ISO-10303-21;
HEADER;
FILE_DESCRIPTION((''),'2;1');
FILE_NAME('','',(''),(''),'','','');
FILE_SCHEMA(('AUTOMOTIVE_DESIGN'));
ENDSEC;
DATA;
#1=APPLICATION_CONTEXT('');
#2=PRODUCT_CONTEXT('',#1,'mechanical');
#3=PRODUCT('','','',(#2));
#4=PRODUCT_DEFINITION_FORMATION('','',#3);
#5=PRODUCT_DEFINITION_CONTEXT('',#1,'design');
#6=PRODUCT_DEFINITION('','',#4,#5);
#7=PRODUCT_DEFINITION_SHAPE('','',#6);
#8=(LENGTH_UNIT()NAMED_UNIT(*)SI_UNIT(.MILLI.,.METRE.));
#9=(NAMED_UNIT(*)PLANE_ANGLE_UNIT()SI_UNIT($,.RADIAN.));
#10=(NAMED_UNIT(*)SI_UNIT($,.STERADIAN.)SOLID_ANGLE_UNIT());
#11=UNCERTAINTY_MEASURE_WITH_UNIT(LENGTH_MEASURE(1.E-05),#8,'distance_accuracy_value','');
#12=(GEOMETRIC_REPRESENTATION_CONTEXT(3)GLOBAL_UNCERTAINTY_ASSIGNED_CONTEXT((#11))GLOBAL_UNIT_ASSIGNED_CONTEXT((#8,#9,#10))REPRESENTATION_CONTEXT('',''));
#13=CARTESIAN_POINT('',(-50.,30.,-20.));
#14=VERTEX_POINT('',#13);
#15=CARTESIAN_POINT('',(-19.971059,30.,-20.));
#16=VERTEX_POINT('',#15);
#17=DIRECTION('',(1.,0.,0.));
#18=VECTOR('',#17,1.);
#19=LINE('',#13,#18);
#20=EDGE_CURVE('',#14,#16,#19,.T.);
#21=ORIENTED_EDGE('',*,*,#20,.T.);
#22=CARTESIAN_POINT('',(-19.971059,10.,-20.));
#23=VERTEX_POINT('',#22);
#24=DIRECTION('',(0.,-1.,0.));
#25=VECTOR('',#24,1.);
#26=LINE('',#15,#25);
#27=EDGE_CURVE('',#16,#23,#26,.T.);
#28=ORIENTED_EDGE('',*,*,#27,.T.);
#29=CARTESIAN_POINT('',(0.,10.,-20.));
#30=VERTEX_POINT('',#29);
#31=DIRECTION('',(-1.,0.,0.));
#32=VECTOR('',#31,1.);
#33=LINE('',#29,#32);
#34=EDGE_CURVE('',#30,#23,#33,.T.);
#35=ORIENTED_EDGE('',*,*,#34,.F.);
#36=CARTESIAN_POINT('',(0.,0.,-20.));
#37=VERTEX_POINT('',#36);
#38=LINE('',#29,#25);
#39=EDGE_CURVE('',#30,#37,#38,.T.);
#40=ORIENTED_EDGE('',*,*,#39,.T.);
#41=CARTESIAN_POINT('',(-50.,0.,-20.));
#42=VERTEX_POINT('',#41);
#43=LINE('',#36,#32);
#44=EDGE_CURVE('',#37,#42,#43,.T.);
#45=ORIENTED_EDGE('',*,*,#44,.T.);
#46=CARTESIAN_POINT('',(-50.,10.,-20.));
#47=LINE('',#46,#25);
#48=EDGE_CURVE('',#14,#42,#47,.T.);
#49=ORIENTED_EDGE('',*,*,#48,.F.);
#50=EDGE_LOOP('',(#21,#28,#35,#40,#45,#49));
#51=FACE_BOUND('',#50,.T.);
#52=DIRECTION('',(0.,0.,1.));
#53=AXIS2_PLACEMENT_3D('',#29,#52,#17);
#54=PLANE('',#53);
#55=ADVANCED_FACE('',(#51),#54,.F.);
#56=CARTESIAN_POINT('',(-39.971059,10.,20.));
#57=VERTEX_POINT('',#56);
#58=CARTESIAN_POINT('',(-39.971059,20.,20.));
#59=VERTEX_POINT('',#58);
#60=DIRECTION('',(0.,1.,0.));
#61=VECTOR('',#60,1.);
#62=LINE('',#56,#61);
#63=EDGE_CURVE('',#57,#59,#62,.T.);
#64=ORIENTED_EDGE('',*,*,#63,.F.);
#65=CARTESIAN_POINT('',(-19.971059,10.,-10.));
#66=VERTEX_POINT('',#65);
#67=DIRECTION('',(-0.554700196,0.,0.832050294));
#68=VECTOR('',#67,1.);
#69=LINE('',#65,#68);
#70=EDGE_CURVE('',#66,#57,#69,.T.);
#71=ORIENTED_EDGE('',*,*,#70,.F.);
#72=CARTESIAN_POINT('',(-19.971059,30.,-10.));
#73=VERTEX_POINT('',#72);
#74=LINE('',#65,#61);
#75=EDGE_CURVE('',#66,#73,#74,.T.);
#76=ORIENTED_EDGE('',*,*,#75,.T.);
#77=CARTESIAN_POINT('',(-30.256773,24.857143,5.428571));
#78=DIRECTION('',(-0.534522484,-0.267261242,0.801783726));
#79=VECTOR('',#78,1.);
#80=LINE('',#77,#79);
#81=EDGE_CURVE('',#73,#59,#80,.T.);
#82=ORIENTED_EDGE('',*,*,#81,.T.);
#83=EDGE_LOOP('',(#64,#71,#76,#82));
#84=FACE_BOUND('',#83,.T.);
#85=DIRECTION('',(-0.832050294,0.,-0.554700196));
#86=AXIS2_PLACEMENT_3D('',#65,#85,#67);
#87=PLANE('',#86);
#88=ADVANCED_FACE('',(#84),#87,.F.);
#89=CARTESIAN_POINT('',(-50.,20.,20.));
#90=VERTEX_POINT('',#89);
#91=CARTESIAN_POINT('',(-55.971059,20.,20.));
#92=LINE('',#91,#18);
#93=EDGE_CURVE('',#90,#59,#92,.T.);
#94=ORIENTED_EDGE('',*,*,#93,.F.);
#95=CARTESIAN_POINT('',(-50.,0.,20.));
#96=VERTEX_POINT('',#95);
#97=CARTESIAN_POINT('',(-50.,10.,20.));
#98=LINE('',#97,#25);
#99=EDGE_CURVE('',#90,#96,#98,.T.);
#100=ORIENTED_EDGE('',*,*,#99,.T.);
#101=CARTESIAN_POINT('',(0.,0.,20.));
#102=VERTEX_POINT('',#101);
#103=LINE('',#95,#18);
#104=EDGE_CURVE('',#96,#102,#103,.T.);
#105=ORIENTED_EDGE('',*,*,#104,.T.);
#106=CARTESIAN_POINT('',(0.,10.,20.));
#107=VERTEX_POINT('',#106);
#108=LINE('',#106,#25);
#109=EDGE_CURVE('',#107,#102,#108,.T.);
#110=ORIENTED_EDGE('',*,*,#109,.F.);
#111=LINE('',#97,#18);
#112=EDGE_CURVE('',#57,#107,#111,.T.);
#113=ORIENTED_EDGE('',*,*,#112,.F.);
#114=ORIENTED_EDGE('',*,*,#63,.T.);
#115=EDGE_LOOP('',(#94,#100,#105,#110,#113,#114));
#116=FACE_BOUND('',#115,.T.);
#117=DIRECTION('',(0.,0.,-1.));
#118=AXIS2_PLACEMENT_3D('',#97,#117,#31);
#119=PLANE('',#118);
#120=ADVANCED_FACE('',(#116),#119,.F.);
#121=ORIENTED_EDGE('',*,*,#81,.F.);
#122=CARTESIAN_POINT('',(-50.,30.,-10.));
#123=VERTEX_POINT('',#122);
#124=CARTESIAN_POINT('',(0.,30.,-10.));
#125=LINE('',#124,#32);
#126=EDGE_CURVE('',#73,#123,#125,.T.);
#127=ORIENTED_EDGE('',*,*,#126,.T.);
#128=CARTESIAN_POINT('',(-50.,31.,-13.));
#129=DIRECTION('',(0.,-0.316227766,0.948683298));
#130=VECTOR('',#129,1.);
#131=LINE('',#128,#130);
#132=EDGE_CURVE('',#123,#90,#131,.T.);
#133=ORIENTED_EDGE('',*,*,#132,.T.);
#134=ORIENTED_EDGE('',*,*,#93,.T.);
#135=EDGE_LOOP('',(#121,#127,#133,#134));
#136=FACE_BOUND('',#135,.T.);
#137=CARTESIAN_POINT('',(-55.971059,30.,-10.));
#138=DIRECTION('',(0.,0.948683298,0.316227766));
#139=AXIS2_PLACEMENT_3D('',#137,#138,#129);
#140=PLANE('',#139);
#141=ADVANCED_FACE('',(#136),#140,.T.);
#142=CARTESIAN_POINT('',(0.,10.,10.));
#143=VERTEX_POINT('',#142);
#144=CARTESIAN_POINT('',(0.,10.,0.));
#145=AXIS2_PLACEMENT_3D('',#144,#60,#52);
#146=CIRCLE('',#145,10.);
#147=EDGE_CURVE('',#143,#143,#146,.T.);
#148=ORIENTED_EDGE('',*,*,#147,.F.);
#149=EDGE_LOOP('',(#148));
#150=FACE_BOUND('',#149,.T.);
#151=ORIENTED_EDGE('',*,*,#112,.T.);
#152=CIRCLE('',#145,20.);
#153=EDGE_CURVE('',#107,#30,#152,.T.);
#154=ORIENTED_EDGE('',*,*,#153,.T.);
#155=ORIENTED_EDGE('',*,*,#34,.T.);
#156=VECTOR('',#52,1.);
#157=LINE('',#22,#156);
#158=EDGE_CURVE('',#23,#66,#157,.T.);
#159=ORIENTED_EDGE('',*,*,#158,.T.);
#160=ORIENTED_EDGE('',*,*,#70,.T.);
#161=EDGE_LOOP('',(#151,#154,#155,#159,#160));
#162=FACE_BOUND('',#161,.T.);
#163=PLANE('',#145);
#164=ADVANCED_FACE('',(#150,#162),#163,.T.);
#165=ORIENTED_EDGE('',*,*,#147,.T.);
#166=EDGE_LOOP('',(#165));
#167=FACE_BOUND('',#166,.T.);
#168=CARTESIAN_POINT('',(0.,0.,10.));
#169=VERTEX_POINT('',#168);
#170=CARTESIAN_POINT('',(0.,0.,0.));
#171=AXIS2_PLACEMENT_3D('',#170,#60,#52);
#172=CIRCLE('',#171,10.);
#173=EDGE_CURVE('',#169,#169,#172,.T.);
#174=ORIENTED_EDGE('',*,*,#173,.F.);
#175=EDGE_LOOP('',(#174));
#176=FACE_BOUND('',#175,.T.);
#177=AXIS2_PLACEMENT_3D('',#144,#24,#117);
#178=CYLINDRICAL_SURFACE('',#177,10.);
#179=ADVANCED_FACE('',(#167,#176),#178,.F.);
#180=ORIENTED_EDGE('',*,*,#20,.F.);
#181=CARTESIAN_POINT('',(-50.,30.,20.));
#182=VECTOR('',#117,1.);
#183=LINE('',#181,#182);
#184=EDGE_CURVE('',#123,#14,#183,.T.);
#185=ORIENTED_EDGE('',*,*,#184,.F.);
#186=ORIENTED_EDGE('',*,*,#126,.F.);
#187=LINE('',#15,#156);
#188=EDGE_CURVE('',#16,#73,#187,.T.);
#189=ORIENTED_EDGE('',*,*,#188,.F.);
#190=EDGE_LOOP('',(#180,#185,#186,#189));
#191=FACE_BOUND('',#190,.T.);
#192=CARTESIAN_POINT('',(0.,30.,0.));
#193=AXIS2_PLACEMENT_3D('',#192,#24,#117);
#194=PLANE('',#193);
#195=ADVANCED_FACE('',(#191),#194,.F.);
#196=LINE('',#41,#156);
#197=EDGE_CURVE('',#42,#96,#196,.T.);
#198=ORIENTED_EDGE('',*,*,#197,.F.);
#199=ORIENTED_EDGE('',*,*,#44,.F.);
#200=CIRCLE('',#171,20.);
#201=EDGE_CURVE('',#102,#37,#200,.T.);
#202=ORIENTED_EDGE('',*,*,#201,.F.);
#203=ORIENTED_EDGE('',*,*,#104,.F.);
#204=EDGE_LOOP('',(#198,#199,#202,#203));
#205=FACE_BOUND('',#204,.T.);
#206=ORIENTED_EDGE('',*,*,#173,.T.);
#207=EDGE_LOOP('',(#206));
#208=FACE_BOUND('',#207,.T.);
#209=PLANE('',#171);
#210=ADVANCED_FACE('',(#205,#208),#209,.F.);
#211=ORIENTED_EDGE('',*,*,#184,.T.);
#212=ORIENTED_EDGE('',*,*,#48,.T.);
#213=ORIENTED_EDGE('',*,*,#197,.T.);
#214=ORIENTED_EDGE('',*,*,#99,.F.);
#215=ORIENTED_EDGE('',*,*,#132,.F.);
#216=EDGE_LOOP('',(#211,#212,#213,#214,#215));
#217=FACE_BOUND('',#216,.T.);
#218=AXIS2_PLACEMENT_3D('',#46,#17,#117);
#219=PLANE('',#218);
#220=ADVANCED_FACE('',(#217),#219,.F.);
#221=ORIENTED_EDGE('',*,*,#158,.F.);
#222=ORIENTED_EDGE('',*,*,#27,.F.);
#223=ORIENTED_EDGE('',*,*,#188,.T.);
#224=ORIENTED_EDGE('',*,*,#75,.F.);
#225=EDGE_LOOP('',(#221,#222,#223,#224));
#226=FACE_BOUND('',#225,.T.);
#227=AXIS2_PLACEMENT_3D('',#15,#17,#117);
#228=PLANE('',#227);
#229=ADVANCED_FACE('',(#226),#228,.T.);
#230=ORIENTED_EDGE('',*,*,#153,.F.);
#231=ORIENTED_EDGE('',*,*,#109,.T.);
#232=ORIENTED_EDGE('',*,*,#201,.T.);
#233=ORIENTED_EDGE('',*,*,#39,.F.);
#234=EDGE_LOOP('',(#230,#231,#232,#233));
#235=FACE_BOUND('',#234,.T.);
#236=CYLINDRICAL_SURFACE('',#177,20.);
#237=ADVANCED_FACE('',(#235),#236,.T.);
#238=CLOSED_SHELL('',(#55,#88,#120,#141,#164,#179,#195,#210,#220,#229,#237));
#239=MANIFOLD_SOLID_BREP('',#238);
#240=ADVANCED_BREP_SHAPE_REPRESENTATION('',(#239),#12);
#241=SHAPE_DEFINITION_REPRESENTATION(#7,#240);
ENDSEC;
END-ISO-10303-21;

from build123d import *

# Parameters (mm, degrees)
SKETCH1_R           = 10
BOSS_EXTRUDE1_DEPTH = 10
SKETCH2_W           = 30.028941415
SKETCH2_H           = 40
BOSS_EXTRUDE2_DEPTH = 20
SKETCH3_OUTSIDE_W   = 59.204
SKETCH3_OUTSIDE_H   = 49.204
CUT_EXTRUDE1_DEPTH  = 36
CUT_EXTRUDE2_DEPTH  = 20


with BuildPart() as part:
    # Sketch1 → Boss-Extrude1 (new body)
    with BuildSketch(Plane(origin=(0, 0, 0), x_dir=(1, 0, 0), z_dir=(0, 1, 0))):
        with BuildLine():
            Line((0, 20), (-50, 20))
            Line((-50, 20), (-50, -20))
            Line((-50, -20), (0, -20))
            ThreePointArc((0, -20), (20, 0), (0, 20))
        make_face()
        with Locations(Location((0, 0, 0), (0, 0, 270))):
            Circle(SKETCH1_R, mode=Mode.SUBTRACT)
    extrude(amount=BOSS_EXTRUDE1_DEPTH)

    # Sketch2 → Boss-Extrude2 (add)
    with BuildSketch(Plane(origin=(0, 10, 0), x_dir=(1, 0, 0), z_dir=(0, 1, 0))):
        with Locations((-34.985529293, 0)):
            Rectangle(SKETCH2_W, SKETCH2_H)
    extrude(amount=BOSS_EXTRUDE2_DEPTH)

    # Sketch3 outside → Cut-Extrude1 (cut)
    with BuildSketch(Plane(origin=(-19.971058585, 0, 0), x_dir=(0, 0, -1), z_dir=(1, 0, 0))):
        with Locations((0, 15)):
            Rectangle(SKETCH3_OUTSIDE_W, SKETCH3_OUTSIDE_H)
        Polygon((20, 30), (10, 30), (-20, 20), (-20, 0), (20, 0), align=None, mode=Mode.SUBTRACT)
    extrude(amount=-CUT_EXTRUDE1_DEPTH, mode=Mode.SUBTRACT)

    # Sketch4 → Cut-Extrude2 (cut)
    with BuildSketch(Plane(origin=(0, 30, 0), x_dir=(1, 0, 0), z_dir=(0, 1, 0))):
        Polygon((-19.971058585, -20), (-19.971058585, 10), (-39.971058585, -20), align=None)
    extrude(amount=-CUT_EXTRUDE2_DEPTH, mode=Mode.SUBTRACT)


solid = part.part
